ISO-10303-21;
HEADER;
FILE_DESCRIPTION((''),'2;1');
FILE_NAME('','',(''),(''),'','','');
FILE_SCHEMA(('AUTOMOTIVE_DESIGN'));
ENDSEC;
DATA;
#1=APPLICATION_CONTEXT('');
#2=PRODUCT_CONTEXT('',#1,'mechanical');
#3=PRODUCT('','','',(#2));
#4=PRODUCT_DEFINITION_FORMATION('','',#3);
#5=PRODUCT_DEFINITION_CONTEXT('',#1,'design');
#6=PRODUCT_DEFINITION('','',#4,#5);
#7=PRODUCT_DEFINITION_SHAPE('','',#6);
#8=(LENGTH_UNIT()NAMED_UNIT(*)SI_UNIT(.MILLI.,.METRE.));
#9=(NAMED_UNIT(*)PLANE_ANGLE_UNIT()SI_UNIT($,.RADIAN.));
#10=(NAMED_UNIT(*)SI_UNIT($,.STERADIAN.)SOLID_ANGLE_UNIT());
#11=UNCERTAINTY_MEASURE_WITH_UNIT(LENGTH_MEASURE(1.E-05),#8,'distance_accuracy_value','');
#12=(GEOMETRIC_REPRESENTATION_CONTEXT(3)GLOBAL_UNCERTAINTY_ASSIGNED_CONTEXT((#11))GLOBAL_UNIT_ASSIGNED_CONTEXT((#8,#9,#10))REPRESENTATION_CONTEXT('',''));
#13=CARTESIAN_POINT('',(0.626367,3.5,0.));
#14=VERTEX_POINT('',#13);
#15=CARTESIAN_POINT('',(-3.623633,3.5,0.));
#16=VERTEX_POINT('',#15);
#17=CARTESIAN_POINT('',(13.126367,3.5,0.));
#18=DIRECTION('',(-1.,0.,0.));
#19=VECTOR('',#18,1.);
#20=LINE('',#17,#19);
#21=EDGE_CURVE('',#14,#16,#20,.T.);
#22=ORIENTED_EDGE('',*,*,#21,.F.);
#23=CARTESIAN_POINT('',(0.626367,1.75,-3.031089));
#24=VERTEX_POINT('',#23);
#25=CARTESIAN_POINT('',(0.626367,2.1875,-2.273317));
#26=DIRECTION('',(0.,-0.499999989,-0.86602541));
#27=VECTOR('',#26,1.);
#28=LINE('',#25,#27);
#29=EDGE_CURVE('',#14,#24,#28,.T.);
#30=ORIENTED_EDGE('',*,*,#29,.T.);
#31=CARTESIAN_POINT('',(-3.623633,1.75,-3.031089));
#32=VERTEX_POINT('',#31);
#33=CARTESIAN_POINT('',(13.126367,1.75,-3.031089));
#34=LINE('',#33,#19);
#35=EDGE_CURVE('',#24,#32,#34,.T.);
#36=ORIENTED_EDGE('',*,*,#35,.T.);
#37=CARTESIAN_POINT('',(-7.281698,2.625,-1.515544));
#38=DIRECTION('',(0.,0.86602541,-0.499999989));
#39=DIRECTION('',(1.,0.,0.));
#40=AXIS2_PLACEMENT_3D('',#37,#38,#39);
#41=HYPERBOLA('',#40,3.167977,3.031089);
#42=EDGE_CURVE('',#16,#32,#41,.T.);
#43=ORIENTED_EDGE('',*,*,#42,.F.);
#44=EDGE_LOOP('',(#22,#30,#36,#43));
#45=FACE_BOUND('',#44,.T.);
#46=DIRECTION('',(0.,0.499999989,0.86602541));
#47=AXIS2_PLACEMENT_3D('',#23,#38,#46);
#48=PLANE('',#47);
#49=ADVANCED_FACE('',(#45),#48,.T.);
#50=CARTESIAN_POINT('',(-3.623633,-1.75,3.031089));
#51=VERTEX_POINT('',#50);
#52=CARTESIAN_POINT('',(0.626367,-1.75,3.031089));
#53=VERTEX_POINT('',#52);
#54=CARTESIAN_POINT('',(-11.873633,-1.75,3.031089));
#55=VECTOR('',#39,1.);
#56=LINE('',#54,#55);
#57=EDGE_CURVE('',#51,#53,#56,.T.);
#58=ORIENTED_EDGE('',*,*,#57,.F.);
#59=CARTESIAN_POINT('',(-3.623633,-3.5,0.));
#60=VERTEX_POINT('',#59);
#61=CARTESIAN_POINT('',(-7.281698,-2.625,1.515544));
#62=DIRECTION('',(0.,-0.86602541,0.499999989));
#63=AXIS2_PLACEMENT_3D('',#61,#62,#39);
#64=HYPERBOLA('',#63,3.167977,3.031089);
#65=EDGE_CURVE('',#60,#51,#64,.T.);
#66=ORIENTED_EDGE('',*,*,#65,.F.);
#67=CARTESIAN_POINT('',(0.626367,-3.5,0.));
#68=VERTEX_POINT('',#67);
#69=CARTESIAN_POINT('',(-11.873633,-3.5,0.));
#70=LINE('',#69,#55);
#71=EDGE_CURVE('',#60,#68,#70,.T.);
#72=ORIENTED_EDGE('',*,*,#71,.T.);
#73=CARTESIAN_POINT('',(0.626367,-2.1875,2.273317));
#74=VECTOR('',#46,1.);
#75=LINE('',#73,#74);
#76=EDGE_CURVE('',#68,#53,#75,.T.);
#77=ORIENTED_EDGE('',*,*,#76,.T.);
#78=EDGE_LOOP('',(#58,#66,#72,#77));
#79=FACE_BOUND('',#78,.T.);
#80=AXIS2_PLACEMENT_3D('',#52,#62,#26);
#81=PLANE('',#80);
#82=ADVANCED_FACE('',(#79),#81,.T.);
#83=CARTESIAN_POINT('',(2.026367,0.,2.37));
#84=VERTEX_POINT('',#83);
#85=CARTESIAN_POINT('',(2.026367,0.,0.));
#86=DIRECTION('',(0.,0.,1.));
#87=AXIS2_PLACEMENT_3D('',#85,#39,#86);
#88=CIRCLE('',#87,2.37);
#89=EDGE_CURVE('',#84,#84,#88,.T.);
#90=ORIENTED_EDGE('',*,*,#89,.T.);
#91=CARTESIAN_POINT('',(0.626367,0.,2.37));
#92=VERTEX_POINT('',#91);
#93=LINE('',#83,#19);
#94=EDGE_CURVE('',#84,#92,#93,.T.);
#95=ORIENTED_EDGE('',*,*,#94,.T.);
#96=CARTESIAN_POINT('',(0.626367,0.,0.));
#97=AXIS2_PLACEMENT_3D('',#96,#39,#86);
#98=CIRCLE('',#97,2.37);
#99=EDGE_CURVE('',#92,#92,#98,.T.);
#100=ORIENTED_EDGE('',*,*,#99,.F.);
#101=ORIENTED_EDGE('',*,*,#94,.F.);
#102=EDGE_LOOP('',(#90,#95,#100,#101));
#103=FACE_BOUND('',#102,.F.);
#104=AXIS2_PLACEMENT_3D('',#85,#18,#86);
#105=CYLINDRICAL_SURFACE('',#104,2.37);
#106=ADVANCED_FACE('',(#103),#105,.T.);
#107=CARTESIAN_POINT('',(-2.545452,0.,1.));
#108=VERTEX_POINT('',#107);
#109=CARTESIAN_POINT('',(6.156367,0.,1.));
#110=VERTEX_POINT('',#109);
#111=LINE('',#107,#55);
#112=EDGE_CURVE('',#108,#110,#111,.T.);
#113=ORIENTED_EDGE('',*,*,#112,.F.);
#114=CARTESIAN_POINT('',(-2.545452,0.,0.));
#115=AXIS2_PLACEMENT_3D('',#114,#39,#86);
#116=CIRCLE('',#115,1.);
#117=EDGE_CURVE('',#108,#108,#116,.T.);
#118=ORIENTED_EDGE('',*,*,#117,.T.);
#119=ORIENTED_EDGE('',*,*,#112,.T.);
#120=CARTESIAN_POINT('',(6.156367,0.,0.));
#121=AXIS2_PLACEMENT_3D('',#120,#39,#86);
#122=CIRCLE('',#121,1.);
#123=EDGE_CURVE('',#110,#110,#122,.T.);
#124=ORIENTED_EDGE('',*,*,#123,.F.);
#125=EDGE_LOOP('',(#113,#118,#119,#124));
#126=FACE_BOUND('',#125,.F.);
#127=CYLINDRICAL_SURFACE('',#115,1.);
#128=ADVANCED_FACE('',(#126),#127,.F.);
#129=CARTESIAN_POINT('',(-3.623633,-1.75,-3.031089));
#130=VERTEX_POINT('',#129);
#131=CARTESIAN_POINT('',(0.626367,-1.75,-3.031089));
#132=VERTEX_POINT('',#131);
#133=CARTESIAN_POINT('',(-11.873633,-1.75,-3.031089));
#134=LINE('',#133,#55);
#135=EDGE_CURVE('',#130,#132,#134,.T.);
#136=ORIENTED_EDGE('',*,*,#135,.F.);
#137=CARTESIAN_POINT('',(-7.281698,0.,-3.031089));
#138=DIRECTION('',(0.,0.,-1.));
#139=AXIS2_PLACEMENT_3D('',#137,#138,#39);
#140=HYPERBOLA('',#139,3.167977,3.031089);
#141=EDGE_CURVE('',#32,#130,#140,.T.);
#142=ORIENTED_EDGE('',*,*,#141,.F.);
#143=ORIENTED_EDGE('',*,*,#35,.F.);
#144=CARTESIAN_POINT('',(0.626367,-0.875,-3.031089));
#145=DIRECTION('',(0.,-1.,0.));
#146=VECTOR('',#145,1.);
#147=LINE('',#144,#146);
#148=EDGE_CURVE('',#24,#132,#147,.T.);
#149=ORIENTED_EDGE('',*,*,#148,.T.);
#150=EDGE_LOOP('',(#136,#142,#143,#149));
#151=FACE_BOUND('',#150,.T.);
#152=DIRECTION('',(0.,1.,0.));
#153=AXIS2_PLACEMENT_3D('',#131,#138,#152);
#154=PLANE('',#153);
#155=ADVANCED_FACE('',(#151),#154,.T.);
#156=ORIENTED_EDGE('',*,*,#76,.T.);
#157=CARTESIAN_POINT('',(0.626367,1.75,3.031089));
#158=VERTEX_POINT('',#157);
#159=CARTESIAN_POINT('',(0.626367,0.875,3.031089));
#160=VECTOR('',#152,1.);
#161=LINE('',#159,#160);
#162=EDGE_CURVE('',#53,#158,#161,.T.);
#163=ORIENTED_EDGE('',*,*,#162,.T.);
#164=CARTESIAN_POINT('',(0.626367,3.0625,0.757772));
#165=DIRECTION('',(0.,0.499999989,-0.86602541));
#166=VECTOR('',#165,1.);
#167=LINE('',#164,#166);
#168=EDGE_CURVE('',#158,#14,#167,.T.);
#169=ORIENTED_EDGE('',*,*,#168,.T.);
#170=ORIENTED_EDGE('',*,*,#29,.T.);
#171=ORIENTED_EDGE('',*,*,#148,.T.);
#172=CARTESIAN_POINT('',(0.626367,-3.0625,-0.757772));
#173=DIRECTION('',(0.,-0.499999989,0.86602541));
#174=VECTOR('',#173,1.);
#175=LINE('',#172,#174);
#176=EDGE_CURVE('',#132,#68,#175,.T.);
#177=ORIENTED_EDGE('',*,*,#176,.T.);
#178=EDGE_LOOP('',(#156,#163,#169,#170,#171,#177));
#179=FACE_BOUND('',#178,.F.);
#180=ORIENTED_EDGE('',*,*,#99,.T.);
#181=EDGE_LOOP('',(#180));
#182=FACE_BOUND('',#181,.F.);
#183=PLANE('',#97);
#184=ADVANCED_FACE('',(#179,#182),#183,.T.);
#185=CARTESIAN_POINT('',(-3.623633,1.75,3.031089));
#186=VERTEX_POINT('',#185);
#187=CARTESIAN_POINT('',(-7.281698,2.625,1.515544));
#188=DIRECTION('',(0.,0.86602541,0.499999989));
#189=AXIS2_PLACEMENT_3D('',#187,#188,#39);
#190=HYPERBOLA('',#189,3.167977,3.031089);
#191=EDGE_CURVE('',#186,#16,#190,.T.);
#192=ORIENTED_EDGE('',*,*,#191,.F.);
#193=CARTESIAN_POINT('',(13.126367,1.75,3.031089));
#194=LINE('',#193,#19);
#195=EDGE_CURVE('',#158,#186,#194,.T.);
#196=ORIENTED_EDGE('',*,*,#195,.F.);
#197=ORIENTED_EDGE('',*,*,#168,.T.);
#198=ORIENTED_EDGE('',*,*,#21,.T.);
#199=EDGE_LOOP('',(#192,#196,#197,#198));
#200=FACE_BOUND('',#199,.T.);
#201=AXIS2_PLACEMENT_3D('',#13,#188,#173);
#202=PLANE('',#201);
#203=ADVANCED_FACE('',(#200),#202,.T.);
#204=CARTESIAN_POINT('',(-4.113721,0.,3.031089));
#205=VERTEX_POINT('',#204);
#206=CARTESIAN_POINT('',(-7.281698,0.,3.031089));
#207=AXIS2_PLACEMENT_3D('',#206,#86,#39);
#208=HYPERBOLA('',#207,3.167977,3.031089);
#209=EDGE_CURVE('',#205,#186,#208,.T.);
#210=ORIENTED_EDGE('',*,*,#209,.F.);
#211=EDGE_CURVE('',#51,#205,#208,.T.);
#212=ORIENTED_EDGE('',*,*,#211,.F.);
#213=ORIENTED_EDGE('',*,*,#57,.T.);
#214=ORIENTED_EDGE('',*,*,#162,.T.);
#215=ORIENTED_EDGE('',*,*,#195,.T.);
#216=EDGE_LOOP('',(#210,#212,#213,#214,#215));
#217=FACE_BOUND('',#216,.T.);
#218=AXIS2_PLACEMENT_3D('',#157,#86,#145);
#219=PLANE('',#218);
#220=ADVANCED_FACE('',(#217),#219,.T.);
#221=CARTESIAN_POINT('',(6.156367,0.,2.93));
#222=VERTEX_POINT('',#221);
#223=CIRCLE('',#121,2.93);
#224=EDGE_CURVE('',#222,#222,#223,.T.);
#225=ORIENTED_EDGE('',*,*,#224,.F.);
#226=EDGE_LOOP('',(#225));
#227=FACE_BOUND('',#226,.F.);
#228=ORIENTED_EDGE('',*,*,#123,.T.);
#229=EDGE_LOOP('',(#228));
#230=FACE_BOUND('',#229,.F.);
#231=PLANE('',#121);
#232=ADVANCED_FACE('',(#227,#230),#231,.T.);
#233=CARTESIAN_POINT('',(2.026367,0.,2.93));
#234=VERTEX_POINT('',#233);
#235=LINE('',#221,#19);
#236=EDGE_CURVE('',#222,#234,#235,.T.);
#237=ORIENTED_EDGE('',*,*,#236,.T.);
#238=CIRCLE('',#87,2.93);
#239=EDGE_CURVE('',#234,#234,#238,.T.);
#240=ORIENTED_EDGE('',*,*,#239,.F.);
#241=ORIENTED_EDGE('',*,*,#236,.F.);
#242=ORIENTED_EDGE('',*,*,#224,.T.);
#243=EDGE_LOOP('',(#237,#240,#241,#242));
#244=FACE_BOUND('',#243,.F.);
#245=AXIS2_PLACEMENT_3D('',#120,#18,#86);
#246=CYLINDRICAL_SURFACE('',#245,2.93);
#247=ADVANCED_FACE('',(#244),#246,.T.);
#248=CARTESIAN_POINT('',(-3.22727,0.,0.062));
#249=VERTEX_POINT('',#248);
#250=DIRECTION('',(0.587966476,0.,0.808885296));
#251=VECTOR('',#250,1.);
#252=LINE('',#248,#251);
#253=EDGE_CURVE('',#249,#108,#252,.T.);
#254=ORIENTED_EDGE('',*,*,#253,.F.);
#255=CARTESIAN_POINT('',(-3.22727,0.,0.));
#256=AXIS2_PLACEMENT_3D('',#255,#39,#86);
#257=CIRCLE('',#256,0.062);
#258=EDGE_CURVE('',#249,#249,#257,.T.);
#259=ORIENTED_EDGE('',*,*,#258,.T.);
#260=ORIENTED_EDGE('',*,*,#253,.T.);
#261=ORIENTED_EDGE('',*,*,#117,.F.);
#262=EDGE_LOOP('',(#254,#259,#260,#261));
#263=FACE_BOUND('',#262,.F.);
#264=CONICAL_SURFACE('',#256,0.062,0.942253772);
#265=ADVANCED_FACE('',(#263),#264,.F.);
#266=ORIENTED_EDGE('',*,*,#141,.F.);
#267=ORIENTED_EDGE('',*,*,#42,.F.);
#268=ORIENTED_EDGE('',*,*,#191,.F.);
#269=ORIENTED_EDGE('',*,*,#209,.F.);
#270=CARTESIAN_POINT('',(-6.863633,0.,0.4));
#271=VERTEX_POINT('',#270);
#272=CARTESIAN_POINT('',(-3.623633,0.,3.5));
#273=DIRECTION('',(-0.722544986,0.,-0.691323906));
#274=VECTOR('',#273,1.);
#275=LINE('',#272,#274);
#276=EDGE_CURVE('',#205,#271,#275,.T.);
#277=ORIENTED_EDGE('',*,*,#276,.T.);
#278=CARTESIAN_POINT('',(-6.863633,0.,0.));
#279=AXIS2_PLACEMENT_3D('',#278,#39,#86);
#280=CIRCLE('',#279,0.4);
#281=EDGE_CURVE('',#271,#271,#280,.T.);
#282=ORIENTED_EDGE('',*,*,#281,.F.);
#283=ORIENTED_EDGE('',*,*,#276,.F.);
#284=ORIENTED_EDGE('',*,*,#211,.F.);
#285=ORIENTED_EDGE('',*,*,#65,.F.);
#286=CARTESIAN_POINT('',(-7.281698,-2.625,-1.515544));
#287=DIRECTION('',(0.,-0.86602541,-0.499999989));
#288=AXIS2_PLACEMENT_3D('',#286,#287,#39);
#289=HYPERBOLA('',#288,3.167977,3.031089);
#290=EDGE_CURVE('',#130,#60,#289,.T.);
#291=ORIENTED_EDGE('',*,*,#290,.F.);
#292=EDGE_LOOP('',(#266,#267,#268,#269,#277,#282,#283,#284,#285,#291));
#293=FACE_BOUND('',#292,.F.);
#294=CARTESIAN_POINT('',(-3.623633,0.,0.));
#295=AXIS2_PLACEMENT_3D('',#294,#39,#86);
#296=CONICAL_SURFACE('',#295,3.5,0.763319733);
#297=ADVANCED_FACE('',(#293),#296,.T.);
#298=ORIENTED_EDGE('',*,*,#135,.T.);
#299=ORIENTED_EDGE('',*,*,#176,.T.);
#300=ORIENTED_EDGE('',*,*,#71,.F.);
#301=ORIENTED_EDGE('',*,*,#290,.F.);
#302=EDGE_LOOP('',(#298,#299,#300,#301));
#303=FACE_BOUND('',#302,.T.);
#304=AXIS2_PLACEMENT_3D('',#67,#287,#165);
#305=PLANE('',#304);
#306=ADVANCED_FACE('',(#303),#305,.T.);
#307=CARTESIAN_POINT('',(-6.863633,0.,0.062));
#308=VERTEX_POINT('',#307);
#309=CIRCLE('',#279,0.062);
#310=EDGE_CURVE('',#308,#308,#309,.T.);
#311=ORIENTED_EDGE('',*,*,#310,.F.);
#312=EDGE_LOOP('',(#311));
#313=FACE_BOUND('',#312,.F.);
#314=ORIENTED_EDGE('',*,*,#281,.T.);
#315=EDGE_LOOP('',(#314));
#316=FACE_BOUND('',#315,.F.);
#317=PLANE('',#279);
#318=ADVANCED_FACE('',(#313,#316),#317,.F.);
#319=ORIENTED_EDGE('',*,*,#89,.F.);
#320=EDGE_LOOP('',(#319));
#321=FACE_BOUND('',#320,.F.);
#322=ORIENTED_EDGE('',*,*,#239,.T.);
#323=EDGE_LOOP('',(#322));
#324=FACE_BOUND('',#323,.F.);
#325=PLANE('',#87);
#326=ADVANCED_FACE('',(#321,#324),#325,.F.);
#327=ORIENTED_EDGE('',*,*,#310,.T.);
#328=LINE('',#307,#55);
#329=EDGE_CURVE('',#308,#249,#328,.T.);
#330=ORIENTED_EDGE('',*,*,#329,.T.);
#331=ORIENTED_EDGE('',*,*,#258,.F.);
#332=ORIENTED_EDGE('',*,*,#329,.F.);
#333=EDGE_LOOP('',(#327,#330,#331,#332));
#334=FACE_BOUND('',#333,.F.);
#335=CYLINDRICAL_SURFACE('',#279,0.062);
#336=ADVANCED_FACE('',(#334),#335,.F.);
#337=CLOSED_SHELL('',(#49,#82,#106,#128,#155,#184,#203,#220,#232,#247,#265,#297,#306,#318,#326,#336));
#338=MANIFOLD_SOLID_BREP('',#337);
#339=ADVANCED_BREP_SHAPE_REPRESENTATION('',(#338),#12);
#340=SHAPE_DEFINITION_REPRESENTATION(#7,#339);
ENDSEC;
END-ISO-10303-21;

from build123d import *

# Parameters (mm, degrees)
F3_DEPTH = 12.5


with BuildPart() as f1:
    # F0 (on Front) → F1 (revolve)
    with BuildSketch(Plane.XZ):
        Polygon((-2.545452, 1), (6.156367, 1), (6.156367, 2.93), (2.026367, 2.93), (2.026367, 2.37), (0.626367, 2.37), (0.626367, 3.5), (-3.623633, 3.5), (-6.863633, 0.4), (-6.863633, 0.062), (-3.22727, 0.062), align=None)
    revolve(axis=Axis((-2.092945, 0, 0), (1, 0, 0)))

    # F2 (on face) → F3 (intersect, symmetric)
    with BuildSketch(Plane.YZ.offset(0.626367)):
        Polygon((1.75, 3.031089), (-1.75, 3.031089), (-3.5, 0), (-1.75, -3.031089), (1.75, -3.031089), (3.5, 0), align=None)
    extrude(amount=F3_DEPTH, both=True, mode=Mode.INTERSECT)


solid = f1.part
